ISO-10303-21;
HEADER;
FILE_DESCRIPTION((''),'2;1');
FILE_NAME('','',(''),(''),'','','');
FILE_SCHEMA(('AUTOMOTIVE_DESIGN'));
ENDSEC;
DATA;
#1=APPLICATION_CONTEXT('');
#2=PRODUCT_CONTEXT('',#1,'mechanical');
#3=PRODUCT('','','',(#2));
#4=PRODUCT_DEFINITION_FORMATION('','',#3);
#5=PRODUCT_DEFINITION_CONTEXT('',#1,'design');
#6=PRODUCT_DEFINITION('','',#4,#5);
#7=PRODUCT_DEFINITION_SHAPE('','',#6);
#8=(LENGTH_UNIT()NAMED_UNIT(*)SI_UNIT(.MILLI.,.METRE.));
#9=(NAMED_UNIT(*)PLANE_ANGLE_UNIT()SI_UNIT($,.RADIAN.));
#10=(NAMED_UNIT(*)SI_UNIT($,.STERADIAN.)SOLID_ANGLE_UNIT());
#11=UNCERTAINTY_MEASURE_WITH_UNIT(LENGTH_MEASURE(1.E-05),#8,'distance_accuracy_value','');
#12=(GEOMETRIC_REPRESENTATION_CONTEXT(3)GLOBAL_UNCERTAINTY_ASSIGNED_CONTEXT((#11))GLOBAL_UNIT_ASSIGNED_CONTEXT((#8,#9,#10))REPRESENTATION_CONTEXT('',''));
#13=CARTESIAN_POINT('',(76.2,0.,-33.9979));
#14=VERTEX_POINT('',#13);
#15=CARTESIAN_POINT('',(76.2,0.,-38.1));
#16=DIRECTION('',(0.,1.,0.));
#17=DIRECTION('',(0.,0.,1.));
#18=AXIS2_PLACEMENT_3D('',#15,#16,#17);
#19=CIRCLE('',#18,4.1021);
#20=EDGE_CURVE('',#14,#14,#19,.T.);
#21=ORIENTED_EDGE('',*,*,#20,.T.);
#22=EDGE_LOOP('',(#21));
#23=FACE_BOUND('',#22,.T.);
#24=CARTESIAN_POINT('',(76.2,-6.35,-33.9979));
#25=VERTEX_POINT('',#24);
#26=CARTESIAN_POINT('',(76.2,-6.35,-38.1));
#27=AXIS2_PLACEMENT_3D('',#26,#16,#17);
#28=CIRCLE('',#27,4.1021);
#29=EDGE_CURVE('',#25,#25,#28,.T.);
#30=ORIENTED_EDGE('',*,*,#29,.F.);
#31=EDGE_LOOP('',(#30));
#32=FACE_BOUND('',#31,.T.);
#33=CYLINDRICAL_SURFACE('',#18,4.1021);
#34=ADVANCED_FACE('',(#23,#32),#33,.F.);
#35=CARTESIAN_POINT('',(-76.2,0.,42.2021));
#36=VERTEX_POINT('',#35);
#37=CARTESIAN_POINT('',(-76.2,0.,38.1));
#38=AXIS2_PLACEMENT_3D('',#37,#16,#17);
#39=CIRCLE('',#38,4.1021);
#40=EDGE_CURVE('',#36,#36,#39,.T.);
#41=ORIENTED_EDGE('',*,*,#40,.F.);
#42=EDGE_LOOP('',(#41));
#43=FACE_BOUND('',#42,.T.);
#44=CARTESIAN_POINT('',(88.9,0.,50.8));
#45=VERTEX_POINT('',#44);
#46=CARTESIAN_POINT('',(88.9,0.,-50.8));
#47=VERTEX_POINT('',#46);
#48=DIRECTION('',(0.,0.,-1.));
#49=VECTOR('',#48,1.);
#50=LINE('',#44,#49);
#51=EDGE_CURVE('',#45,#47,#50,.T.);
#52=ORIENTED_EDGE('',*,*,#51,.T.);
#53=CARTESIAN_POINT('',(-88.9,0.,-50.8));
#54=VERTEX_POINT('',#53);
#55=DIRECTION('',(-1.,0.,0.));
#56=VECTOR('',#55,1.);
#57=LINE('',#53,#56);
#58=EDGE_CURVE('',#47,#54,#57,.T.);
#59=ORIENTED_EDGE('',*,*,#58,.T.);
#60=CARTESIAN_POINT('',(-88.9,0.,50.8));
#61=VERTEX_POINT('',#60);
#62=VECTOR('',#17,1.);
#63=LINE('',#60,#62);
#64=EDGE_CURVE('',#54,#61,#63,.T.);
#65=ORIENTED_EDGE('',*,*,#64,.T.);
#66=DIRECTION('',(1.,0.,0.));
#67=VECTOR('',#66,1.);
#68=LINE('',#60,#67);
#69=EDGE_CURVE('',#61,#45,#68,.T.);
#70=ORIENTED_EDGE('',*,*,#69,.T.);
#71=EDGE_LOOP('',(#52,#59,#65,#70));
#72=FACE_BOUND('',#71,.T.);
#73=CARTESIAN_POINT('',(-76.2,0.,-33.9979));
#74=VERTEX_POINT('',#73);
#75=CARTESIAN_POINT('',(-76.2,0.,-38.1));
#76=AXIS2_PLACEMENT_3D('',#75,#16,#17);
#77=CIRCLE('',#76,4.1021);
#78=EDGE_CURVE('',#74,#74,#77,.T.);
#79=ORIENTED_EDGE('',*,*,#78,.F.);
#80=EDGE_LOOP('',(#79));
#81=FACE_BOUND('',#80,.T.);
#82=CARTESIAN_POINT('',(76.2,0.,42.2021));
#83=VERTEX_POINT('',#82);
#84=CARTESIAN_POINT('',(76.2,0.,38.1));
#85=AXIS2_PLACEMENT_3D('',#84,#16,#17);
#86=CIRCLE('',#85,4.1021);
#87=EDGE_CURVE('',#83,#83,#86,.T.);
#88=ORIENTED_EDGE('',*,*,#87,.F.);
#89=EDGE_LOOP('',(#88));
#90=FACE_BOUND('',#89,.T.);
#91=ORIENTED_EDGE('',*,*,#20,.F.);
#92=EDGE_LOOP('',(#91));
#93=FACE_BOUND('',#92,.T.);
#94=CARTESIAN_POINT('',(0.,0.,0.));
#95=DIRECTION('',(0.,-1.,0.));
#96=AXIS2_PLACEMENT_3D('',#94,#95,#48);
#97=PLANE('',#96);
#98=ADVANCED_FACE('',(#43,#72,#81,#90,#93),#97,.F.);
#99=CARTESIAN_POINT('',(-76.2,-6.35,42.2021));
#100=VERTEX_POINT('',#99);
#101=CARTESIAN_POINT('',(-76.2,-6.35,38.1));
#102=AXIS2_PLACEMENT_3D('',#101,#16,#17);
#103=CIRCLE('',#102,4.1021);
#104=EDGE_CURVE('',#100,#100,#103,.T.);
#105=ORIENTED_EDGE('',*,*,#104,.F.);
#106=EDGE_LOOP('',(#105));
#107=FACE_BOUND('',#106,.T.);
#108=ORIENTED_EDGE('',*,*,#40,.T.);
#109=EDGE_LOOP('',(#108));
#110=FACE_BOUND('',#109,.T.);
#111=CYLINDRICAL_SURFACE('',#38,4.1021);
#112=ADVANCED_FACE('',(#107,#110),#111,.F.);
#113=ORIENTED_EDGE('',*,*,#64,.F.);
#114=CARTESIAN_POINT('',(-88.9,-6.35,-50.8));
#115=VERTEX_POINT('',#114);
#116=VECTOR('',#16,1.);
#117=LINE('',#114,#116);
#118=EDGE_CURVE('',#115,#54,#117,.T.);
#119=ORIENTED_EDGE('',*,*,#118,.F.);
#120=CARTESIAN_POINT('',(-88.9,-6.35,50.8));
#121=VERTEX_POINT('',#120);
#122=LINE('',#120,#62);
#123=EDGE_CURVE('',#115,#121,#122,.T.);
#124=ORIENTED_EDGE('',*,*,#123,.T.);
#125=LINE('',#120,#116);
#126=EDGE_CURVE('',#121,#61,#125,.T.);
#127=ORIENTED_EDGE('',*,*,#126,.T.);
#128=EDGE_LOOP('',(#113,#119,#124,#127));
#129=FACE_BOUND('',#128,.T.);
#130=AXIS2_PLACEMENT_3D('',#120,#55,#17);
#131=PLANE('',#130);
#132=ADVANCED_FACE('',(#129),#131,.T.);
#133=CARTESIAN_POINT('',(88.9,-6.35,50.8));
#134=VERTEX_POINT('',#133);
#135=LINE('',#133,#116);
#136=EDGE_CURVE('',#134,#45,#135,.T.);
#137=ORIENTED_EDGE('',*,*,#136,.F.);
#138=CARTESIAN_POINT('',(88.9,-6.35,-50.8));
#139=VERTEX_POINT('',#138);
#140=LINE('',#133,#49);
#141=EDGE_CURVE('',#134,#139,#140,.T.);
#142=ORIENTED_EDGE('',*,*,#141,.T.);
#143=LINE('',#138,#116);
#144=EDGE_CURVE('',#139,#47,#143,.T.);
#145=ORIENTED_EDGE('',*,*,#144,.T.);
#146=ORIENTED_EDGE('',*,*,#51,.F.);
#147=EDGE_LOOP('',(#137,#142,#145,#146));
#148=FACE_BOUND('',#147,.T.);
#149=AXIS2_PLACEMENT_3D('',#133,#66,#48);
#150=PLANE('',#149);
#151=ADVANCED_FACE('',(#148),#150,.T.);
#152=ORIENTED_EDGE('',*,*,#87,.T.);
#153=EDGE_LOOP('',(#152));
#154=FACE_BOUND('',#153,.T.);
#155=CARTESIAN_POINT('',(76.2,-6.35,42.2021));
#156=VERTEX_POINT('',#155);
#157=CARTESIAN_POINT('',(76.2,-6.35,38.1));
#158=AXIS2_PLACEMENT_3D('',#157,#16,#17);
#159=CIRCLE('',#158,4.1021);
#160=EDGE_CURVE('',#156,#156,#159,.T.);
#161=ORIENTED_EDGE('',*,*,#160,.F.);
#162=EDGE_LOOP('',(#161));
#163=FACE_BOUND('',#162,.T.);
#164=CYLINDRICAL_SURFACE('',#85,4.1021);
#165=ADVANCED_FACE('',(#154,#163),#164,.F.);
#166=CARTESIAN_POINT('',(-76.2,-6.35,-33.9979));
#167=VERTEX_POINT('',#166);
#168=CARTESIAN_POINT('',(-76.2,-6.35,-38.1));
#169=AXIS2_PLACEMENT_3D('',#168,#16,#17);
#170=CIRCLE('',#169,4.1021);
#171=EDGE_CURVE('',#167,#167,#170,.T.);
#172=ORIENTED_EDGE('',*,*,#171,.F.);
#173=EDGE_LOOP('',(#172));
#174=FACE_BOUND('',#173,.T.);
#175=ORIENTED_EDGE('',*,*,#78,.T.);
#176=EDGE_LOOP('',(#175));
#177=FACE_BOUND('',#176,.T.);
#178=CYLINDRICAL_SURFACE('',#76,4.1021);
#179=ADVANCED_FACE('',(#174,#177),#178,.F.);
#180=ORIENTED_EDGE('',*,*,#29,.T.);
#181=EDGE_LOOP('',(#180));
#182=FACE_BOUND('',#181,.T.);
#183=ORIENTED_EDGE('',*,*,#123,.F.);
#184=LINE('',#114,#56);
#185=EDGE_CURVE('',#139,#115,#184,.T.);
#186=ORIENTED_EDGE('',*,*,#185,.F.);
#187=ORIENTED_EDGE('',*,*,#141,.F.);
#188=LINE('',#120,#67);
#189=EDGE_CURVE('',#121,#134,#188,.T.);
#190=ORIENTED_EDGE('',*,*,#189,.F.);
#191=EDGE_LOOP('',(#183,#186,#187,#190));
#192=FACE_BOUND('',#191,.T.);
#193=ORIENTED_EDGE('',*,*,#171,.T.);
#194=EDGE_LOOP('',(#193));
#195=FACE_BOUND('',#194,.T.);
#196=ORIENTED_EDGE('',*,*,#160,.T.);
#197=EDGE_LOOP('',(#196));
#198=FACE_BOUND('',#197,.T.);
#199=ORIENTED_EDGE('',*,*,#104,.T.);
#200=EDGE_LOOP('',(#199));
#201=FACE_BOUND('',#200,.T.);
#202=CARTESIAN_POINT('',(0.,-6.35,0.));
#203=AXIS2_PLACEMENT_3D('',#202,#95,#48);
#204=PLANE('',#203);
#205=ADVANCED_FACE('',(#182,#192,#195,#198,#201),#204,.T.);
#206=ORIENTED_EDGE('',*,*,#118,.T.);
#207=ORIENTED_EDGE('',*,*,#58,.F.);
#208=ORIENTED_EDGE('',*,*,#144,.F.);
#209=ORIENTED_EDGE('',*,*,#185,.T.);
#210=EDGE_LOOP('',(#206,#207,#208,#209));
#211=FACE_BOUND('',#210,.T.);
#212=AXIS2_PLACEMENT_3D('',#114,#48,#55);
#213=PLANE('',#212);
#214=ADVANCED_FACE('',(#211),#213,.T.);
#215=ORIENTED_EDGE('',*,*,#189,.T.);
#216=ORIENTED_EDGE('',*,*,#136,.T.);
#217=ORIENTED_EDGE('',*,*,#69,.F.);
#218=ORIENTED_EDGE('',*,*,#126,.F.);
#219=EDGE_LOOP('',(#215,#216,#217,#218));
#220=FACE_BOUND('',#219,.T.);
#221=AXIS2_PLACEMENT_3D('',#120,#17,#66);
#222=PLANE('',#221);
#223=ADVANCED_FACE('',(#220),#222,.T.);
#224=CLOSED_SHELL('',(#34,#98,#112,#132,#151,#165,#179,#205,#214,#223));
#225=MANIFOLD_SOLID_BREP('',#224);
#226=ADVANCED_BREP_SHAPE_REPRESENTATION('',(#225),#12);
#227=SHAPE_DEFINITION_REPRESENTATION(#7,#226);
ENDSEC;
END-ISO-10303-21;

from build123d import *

# Parameters (mm, degrees)
SKETCH1_W                = 177.8
SKETCH1_H                = 101.6
BOSS_EXTRUDE1_DEPTH      = 6.35
P_0_323_DIAMETER_HOLE1_D = 8.2042


with BuildPart() as part:
    # Sketch1 → Boss-Extrude1 (new body)
    with BuildSketch(Plane(origin=(0, 0, 0), x_dir=(1, 0, 0), z_dir=(0, 1, 0))):
        Rectangle(SKETCH1_W, SKETCH1_H)
    extrude(amount=-BOSS_EXTRUDE1_DEPTH)

    # P (0.323) Diameter Hole1 (through all)
    with Locations(Plane(origin=(0, 0, 0), x_dir=(1, 0, 0), z_dir=(0, 1, 0))):
        with Locations((-76.2, 38.1), (-76.2, -38.1), (76.2, -38.1), (76.2, 38.1)):
            Hole(P_0_323_DIAMETER_HOLE1_D / 2)


solid = part.part
